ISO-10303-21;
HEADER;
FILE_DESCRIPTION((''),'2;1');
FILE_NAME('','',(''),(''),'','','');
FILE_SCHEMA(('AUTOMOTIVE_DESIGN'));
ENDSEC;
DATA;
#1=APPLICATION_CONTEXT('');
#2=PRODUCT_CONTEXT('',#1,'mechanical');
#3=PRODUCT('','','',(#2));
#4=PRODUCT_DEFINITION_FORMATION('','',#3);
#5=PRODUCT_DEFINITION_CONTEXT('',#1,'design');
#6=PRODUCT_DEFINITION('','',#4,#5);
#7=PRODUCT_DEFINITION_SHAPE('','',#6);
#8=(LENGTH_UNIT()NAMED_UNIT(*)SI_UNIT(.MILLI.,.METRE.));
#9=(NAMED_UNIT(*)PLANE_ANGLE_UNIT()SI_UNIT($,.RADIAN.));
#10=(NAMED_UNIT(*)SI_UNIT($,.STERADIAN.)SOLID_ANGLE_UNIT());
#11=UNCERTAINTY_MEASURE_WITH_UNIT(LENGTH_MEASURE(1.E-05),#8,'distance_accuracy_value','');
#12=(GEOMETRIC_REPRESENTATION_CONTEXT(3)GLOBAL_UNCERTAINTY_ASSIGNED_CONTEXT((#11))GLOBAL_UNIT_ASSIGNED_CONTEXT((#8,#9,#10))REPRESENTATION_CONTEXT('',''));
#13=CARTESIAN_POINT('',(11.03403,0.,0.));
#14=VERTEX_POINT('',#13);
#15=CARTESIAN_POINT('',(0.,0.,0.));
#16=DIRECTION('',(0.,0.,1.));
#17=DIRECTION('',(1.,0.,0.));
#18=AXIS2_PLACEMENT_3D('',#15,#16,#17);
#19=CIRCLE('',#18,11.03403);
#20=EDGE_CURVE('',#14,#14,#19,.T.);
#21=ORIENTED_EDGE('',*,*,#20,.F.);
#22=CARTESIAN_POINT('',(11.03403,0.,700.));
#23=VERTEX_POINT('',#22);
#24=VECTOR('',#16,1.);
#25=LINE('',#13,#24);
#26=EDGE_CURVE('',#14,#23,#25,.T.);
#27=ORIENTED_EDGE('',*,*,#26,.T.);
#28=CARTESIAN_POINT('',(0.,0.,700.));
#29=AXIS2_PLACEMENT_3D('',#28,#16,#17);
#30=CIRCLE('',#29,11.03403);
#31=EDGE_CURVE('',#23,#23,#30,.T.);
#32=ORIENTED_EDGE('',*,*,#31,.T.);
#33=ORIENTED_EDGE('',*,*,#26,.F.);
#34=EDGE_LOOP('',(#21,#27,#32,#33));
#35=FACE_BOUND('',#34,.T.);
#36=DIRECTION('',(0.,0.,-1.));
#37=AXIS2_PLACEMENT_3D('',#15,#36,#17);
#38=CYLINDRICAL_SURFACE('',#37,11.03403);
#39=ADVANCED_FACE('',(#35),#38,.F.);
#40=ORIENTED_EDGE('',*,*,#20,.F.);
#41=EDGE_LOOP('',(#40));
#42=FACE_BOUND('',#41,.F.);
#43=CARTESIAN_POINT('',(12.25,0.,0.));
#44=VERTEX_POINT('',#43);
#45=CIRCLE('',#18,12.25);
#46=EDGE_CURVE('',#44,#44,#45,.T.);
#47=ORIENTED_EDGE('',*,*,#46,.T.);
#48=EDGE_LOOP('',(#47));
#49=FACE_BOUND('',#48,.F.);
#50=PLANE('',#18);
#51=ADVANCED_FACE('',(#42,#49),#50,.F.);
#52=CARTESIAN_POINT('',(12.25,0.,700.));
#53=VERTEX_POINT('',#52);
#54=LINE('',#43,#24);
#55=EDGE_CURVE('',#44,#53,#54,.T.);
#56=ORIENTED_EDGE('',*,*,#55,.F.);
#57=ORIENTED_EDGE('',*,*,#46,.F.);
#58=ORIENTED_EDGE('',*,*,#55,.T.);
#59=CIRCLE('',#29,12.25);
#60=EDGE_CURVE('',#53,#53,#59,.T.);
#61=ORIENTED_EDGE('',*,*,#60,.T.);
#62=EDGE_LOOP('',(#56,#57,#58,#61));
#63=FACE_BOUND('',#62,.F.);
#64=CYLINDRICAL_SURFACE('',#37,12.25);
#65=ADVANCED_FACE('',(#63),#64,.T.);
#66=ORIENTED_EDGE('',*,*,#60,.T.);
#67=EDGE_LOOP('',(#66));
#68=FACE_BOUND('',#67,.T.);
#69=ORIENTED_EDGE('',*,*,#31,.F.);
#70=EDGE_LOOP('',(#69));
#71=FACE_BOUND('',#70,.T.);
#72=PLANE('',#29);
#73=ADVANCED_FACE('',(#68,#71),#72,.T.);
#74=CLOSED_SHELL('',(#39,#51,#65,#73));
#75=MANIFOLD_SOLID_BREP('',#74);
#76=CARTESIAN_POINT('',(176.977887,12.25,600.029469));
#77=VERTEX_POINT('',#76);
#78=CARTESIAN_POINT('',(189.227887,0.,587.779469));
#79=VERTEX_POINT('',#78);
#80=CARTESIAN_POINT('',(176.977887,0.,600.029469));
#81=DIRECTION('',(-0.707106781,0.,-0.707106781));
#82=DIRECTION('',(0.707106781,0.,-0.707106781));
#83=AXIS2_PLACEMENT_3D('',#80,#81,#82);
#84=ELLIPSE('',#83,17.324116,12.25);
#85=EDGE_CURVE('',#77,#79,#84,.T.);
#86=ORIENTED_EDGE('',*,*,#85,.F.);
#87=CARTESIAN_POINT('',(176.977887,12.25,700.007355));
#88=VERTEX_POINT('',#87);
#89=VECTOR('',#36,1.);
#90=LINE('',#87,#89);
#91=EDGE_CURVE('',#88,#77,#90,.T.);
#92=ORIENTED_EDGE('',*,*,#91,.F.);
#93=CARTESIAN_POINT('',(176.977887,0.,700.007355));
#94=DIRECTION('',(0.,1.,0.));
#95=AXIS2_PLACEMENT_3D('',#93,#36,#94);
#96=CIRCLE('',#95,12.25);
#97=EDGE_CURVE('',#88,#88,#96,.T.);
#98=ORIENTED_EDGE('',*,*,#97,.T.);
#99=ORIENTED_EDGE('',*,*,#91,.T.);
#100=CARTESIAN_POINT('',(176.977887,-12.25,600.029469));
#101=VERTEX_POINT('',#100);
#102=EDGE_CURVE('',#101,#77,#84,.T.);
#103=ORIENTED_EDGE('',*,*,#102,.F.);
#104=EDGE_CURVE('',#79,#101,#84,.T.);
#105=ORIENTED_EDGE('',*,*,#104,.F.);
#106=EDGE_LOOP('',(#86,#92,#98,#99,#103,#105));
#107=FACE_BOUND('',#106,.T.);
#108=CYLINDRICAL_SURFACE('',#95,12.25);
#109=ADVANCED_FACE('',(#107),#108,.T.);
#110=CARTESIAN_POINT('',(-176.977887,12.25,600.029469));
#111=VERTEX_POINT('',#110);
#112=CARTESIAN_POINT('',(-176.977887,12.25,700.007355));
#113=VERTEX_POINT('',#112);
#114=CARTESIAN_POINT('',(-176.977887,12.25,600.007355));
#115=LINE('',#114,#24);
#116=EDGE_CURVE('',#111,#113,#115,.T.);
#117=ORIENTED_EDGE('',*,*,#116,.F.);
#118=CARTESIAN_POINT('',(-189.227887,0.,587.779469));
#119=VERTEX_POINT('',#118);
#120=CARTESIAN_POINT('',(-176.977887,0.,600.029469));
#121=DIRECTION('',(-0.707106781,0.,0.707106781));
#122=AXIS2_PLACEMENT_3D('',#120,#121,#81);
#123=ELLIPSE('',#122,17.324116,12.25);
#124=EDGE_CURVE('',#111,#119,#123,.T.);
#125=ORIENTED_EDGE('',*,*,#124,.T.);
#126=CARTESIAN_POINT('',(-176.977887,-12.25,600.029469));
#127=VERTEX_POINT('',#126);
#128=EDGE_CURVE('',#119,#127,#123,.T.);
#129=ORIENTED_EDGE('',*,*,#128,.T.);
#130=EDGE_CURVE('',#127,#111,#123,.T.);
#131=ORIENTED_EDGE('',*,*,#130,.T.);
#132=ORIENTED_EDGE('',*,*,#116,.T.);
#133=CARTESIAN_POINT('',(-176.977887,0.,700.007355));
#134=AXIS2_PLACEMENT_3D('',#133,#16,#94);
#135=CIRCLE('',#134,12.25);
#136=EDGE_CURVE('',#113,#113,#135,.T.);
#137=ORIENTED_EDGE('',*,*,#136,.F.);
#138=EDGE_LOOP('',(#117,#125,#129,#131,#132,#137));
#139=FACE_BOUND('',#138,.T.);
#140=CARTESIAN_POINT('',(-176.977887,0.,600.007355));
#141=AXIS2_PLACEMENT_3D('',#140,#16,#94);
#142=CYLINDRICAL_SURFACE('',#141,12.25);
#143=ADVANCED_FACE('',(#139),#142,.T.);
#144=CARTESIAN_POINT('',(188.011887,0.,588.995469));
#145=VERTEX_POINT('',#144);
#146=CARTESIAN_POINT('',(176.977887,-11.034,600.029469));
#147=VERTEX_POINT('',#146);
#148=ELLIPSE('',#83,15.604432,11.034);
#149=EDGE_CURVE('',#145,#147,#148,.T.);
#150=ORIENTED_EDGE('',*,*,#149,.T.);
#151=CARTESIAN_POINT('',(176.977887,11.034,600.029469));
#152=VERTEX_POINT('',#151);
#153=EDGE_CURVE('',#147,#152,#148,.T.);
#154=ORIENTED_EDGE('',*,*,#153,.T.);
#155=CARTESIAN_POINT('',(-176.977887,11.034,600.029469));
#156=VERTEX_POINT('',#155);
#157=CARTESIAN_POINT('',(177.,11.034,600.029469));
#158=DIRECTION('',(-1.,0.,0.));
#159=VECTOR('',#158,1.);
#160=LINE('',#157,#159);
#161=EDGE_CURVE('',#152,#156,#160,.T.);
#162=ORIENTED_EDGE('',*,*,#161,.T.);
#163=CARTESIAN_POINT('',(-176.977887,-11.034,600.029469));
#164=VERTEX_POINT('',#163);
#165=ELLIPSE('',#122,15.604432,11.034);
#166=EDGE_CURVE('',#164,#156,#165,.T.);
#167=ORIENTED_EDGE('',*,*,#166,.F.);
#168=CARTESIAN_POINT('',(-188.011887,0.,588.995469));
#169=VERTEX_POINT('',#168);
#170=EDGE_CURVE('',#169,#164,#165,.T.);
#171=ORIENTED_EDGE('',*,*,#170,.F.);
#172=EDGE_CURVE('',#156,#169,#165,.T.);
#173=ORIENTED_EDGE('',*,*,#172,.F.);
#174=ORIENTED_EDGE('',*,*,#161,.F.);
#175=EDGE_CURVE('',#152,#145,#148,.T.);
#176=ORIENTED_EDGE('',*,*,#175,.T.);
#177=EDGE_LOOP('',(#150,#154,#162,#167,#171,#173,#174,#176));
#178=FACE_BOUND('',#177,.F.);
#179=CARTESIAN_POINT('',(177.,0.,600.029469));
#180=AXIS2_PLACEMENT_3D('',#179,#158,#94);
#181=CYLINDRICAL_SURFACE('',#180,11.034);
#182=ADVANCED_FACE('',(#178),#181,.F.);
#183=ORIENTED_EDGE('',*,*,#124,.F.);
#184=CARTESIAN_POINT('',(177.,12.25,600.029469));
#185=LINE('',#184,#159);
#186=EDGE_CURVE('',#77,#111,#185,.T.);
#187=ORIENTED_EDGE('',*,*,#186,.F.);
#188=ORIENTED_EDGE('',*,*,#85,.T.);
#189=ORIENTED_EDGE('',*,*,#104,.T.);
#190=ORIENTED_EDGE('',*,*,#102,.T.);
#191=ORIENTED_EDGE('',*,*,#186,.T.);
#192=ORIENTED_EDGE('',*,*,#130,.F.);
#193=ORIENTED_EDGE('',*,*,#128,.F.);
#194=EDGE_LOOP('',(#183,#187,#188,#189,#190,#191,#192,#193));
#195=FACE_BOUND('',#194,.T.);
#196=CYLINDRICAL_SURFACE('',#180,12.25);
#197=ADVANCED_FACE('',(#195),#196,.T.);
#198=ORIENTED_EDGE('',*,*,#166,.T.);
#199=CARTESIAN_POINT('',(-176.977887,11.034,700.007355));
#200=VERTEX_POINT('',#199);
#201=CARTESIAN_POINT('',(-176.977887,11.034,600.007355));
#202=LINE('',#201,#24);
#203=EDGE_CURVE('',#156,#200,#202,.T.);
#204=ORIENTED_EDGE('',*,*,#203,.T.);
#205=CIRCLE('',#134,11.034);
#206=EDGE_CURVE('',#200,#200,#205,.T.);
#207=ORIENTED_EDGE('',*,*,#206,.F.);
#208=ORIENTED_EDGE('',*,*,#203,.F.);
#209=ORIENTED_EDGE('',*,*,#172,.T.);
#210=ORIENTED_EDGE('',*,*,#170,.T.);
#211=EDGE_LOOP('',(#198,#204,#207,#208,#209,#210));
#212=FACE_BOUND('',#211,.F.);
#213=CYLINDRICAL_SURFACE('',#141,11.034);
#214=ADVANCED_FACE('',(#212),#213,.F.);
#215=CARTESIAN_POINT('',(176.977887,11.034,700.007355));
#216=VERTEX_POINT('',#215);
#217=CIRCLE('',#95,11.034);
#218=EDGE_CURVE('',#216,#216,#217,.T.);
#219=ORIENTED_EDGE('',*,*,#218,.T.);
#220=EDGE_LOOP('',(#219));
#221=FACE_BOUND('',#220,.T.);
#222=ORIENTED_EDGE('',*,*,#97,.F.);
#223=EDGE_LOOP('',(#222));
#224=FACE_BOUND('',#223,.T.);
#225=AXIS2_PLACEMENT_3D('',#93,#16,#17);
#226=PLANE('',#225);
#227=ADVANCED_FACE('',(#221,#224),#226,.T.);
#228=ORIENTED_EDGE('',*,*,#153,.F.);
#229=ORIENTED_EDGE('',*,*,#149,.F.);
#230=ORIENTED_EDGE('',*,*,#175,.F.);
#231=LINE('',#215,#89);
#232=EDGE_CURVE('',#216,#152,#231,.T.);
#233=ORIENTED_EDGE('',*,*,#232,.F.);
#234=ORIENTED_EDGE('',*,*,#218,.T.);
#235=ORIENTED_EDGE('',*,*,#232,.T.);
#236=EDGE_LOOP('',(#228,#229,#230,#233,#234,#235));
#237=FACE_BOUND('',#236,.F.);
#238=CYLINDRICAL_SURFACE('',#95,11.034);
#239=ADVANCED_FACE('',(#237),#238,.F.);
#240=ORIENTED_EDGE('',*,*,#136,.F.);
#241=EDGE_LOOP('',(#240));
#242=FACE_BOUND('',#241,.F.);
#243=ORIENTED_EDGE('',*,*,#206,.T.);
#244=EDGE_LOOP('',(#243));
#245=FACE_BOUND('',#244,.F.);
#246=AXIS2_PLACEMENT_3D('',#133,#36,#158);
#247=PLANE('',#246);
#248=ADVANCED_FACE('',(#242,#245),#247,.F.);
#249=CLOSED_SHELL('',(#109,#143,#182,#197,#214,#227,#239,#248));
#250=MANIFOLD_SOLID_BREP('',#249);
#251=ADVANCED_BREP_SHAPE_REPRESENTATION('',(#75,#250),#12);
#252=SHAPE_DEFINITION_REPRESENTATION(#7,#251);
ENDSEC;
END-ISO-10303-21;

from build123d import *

# Parameters (mm, degrees)
F0_R     = 12.25
F0_R_2   = 11.0340300729
F1_DEPTH = 700
F3_R     = 12.25
F3_R_2   = 11.034


with BuildPart() as f1:
    # F0 (on Top) → F1 (new body)
    with BuildSketch(Plane.XY):
        Circle(F0_R)
        Circle(F0_R_2, mode=Mode.SUBTRACT)
    extrude(amount=F1_DEPTH)


with BuildPart() as f4:
    # F4: sweep along a path in F2
    with BuildLine(Plane.XZ) as f4_path:
        Line((177, 700.0073552132), (177, 600.0073552132))
        Line((177, 600.0073552132), (0, 600.0073552132))
        Line((0, 600.0073552132), (-177, 600.0073552132))
        Line((-177, 600.0073552132), (-177, 700.0073552132))
    # F3 (on Right) → F4 (sweep)
    with BuildSketch(Plane.YZ):
        with Locations((0, 600.0294685364)):
            Circle(F3_R)
        with Locations((0, 600.0294685364)):
            Circle(F3_R_2, mode=Mode.SUBTRACT)
    sweep(path=f4_path.line, transition=Transition.RIGHT)


solid = Compound([f1.part, f4.part])
